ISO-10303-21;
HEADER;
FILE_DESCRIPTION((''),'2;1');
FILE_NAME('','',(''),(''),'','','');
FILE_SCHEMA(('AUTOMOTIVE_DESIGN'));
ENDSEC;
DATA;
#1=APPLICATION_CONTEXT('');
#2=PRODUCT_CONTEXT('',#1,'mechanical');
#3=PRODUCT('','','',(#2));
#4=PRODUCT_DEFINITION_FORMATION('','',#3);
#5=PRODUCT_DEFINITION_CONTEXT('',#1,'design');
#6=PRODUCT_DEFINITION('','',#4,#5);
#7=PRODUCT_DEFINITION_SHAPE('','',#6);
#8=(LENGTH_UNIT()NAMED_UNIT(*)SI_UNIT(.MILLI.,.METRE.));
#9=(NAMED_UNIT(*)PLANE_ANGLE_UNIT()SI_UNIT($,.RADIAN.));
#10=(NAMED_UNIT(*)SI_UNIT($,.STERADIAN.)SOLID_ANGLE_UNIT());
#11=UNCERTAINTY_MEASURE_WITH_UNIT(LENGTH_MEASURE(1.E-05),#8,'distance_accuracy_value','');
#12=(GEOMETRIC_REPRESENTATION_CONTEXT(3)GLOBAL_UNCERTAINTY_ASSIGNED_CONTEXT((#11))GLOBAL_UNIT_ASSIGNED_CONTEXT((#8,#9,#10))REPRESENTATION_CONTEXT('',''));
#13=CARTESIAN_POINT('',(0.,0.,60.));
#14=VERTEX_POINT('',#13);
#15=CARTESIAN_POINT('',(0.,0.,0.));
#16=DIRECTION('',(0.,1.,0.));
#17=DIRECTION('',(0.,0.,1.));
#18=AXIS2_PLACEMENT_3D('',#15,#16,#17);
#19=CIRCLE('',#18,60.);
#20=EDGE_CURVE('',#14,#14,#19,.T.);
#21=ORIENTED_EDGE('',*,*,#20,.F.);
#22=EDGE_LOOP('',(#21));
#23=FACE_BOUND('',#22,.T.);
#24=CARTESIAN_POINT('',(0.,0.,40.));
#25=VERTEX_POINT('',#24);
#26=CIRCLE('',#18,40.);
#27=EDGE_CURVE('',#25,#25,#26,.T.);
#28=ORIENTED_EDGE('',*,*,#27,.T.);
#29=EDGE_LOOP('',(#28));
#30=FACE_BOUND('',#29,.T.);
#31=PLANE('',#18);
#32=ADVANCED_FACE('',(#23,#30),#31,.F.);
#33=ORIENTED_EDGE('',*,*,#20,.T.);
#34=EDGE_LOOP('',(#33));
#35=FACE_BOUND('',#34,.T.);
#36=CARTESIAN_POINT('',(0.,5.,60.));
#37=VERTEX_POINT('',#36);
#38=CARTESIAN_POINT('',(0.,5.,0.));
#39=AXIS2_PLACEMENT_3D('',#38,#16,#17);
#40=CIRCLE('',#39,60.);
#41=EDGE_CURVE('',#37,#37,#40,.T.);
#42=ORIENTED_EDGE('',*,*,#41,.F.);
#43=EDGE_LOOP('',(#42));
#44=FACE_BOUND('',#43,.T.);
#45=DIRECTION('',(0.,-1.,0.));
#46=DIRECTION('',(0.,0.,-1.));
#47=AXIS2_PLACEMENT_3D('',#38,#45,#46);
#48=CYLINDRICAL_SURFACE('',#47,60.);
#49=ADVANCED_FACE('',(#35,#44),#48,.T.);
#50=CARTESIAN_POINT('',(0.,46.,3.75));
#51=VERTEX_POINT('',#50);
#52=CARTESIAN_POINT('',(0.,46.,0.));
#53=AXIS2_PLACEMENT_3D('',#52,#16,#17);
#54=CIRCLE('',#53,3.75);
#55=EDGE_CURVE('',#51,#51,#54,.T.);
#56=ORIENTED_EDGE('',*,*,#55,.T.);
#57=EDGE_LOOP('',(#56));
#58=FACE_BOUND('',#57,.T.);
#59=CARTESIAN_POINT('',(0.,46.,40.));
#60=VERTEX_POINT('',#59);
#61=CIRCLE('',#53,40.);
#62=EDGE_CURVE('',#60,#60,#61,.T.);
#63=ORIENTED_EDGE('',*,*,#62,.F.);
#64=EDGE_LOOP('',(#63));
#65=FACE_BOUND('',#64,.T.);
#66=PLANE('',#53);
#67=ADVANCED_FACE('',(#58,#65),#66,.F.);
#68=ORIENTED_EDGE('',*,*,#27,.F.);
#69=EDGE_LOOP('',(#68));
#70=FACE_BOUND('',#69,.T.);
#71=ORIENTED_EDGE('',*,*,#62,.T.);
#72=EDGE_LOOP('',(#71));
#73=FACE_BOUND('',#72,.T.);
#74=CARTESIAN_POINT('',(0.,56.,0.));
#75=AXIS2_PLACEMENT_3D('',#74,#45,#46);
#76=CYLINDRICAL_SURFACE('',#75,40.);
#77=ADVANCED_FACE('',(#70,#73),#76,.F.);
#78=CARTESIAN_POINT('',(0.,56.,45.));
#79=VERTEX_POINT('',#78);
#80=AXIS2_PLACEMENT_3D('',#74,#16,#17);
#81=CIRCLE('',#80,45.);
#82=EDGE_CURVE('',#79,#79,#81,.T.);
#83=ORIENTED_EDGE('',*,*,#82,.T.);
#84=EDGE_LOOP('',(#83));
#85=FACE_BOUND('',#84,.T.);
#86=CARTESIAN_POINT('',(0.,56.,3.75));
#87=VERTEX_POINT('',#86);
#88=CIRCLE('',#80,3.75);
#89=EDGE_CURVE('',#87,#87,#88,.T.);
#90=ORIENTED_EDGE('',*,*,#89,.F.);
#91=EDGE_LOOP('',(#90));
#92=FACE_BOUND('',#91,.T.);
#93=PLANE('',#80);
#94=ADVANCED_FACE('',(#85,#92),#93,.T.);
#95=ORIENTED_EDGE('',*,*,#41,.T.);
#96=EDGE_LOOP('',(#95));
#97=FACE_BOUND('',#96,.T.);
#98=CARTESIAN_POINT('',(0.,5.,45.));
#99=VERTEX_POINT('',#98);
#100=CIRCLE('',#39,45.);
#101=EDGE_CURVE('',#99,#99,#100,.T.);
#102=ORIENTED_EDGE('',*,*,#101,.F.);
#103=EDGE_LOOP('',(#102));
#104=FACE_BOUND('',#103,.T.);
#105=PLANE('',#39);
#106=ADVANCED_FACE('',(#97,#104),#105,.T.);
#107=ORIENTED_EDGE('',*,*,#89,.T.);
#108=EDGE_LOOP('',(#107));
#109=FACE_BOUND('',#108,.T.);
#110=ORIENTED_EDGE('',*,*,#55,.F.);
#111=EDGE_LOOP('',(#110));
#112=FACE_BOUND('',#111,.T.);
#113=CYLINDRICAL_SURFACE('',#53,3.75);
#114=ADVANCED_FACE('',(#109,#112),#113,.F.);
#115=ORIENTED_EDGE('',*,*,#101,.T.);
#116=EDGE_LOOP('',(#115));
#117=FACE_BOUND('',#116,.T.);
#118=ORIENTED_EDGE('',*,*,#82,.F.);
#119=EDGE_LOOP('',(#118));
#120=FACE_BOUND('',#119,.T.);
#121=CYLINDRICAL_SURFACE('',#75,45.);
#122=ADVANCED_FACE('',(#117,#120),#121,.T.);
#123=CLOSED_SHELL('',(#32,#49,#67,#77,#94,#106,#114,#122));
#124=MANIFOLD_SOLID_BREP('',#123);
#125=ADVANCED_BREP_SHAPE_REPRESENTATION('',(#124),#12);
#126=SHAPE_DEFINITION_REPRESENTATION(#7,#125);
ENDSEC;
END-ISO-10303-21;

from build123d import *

# Parameters (mm, degrees)
SKETCH1_R           = 60
SKETCH1_R_2         = 45
BOSS_EXTRUDE1_DEPTH = 5
SKETCH2_R           = 45
SKETCH2_R_2         = 40
BOSS_EXTRUDE2_DEPTH = 56
SKETCH3_R           = 40
SKETCH3_R_2         = 3.75
BOSS_EXTRUDE3_DEPTH = 10


with BuildPart() as part:
    # Sketch1 → Boss-Extrude1 (new body)
    with BuildSketch(Plane(origin=(0, 0, 0), x_dir=(1, 0, 0), z_dir=(0, 1, 0))):
        Circle(SKETCH1_R)
        Circle(SKETCH1_R_2, mode=Mode.SUBTRACT)
    extrude(amount=BOSS_EXTRUDE1_DEPTH)

    # Sketch2 → Boss-Extrude2 (add)
    with BuildSketch(Plane(origin=(0, 0, 0), x_dir=(1, 0, 0), z_dir=(0, 1, 0))):
        Circle(SKETCH2_R)
        Circle(SKETCH2_R_2, mode=Mode.SUBTRACT)
    extrude(amount=BOSS_EXTRUDE2_DEPTH)

    # Sketch3 → Boss-Extrude3 (add)
    with BuildSketch(Plane(origin=(0, 56, 0), x_dir=(1, 0, 0), z_dir=(0, 1, 0))):
        Circle(SKETCH3_R)
        Circle(SKETCH3_R_2, mode=Mode.SUBTRACT)
    extrude(amount=-BOSS_EXTRUDE3_DEPTH)


solid = part.part
